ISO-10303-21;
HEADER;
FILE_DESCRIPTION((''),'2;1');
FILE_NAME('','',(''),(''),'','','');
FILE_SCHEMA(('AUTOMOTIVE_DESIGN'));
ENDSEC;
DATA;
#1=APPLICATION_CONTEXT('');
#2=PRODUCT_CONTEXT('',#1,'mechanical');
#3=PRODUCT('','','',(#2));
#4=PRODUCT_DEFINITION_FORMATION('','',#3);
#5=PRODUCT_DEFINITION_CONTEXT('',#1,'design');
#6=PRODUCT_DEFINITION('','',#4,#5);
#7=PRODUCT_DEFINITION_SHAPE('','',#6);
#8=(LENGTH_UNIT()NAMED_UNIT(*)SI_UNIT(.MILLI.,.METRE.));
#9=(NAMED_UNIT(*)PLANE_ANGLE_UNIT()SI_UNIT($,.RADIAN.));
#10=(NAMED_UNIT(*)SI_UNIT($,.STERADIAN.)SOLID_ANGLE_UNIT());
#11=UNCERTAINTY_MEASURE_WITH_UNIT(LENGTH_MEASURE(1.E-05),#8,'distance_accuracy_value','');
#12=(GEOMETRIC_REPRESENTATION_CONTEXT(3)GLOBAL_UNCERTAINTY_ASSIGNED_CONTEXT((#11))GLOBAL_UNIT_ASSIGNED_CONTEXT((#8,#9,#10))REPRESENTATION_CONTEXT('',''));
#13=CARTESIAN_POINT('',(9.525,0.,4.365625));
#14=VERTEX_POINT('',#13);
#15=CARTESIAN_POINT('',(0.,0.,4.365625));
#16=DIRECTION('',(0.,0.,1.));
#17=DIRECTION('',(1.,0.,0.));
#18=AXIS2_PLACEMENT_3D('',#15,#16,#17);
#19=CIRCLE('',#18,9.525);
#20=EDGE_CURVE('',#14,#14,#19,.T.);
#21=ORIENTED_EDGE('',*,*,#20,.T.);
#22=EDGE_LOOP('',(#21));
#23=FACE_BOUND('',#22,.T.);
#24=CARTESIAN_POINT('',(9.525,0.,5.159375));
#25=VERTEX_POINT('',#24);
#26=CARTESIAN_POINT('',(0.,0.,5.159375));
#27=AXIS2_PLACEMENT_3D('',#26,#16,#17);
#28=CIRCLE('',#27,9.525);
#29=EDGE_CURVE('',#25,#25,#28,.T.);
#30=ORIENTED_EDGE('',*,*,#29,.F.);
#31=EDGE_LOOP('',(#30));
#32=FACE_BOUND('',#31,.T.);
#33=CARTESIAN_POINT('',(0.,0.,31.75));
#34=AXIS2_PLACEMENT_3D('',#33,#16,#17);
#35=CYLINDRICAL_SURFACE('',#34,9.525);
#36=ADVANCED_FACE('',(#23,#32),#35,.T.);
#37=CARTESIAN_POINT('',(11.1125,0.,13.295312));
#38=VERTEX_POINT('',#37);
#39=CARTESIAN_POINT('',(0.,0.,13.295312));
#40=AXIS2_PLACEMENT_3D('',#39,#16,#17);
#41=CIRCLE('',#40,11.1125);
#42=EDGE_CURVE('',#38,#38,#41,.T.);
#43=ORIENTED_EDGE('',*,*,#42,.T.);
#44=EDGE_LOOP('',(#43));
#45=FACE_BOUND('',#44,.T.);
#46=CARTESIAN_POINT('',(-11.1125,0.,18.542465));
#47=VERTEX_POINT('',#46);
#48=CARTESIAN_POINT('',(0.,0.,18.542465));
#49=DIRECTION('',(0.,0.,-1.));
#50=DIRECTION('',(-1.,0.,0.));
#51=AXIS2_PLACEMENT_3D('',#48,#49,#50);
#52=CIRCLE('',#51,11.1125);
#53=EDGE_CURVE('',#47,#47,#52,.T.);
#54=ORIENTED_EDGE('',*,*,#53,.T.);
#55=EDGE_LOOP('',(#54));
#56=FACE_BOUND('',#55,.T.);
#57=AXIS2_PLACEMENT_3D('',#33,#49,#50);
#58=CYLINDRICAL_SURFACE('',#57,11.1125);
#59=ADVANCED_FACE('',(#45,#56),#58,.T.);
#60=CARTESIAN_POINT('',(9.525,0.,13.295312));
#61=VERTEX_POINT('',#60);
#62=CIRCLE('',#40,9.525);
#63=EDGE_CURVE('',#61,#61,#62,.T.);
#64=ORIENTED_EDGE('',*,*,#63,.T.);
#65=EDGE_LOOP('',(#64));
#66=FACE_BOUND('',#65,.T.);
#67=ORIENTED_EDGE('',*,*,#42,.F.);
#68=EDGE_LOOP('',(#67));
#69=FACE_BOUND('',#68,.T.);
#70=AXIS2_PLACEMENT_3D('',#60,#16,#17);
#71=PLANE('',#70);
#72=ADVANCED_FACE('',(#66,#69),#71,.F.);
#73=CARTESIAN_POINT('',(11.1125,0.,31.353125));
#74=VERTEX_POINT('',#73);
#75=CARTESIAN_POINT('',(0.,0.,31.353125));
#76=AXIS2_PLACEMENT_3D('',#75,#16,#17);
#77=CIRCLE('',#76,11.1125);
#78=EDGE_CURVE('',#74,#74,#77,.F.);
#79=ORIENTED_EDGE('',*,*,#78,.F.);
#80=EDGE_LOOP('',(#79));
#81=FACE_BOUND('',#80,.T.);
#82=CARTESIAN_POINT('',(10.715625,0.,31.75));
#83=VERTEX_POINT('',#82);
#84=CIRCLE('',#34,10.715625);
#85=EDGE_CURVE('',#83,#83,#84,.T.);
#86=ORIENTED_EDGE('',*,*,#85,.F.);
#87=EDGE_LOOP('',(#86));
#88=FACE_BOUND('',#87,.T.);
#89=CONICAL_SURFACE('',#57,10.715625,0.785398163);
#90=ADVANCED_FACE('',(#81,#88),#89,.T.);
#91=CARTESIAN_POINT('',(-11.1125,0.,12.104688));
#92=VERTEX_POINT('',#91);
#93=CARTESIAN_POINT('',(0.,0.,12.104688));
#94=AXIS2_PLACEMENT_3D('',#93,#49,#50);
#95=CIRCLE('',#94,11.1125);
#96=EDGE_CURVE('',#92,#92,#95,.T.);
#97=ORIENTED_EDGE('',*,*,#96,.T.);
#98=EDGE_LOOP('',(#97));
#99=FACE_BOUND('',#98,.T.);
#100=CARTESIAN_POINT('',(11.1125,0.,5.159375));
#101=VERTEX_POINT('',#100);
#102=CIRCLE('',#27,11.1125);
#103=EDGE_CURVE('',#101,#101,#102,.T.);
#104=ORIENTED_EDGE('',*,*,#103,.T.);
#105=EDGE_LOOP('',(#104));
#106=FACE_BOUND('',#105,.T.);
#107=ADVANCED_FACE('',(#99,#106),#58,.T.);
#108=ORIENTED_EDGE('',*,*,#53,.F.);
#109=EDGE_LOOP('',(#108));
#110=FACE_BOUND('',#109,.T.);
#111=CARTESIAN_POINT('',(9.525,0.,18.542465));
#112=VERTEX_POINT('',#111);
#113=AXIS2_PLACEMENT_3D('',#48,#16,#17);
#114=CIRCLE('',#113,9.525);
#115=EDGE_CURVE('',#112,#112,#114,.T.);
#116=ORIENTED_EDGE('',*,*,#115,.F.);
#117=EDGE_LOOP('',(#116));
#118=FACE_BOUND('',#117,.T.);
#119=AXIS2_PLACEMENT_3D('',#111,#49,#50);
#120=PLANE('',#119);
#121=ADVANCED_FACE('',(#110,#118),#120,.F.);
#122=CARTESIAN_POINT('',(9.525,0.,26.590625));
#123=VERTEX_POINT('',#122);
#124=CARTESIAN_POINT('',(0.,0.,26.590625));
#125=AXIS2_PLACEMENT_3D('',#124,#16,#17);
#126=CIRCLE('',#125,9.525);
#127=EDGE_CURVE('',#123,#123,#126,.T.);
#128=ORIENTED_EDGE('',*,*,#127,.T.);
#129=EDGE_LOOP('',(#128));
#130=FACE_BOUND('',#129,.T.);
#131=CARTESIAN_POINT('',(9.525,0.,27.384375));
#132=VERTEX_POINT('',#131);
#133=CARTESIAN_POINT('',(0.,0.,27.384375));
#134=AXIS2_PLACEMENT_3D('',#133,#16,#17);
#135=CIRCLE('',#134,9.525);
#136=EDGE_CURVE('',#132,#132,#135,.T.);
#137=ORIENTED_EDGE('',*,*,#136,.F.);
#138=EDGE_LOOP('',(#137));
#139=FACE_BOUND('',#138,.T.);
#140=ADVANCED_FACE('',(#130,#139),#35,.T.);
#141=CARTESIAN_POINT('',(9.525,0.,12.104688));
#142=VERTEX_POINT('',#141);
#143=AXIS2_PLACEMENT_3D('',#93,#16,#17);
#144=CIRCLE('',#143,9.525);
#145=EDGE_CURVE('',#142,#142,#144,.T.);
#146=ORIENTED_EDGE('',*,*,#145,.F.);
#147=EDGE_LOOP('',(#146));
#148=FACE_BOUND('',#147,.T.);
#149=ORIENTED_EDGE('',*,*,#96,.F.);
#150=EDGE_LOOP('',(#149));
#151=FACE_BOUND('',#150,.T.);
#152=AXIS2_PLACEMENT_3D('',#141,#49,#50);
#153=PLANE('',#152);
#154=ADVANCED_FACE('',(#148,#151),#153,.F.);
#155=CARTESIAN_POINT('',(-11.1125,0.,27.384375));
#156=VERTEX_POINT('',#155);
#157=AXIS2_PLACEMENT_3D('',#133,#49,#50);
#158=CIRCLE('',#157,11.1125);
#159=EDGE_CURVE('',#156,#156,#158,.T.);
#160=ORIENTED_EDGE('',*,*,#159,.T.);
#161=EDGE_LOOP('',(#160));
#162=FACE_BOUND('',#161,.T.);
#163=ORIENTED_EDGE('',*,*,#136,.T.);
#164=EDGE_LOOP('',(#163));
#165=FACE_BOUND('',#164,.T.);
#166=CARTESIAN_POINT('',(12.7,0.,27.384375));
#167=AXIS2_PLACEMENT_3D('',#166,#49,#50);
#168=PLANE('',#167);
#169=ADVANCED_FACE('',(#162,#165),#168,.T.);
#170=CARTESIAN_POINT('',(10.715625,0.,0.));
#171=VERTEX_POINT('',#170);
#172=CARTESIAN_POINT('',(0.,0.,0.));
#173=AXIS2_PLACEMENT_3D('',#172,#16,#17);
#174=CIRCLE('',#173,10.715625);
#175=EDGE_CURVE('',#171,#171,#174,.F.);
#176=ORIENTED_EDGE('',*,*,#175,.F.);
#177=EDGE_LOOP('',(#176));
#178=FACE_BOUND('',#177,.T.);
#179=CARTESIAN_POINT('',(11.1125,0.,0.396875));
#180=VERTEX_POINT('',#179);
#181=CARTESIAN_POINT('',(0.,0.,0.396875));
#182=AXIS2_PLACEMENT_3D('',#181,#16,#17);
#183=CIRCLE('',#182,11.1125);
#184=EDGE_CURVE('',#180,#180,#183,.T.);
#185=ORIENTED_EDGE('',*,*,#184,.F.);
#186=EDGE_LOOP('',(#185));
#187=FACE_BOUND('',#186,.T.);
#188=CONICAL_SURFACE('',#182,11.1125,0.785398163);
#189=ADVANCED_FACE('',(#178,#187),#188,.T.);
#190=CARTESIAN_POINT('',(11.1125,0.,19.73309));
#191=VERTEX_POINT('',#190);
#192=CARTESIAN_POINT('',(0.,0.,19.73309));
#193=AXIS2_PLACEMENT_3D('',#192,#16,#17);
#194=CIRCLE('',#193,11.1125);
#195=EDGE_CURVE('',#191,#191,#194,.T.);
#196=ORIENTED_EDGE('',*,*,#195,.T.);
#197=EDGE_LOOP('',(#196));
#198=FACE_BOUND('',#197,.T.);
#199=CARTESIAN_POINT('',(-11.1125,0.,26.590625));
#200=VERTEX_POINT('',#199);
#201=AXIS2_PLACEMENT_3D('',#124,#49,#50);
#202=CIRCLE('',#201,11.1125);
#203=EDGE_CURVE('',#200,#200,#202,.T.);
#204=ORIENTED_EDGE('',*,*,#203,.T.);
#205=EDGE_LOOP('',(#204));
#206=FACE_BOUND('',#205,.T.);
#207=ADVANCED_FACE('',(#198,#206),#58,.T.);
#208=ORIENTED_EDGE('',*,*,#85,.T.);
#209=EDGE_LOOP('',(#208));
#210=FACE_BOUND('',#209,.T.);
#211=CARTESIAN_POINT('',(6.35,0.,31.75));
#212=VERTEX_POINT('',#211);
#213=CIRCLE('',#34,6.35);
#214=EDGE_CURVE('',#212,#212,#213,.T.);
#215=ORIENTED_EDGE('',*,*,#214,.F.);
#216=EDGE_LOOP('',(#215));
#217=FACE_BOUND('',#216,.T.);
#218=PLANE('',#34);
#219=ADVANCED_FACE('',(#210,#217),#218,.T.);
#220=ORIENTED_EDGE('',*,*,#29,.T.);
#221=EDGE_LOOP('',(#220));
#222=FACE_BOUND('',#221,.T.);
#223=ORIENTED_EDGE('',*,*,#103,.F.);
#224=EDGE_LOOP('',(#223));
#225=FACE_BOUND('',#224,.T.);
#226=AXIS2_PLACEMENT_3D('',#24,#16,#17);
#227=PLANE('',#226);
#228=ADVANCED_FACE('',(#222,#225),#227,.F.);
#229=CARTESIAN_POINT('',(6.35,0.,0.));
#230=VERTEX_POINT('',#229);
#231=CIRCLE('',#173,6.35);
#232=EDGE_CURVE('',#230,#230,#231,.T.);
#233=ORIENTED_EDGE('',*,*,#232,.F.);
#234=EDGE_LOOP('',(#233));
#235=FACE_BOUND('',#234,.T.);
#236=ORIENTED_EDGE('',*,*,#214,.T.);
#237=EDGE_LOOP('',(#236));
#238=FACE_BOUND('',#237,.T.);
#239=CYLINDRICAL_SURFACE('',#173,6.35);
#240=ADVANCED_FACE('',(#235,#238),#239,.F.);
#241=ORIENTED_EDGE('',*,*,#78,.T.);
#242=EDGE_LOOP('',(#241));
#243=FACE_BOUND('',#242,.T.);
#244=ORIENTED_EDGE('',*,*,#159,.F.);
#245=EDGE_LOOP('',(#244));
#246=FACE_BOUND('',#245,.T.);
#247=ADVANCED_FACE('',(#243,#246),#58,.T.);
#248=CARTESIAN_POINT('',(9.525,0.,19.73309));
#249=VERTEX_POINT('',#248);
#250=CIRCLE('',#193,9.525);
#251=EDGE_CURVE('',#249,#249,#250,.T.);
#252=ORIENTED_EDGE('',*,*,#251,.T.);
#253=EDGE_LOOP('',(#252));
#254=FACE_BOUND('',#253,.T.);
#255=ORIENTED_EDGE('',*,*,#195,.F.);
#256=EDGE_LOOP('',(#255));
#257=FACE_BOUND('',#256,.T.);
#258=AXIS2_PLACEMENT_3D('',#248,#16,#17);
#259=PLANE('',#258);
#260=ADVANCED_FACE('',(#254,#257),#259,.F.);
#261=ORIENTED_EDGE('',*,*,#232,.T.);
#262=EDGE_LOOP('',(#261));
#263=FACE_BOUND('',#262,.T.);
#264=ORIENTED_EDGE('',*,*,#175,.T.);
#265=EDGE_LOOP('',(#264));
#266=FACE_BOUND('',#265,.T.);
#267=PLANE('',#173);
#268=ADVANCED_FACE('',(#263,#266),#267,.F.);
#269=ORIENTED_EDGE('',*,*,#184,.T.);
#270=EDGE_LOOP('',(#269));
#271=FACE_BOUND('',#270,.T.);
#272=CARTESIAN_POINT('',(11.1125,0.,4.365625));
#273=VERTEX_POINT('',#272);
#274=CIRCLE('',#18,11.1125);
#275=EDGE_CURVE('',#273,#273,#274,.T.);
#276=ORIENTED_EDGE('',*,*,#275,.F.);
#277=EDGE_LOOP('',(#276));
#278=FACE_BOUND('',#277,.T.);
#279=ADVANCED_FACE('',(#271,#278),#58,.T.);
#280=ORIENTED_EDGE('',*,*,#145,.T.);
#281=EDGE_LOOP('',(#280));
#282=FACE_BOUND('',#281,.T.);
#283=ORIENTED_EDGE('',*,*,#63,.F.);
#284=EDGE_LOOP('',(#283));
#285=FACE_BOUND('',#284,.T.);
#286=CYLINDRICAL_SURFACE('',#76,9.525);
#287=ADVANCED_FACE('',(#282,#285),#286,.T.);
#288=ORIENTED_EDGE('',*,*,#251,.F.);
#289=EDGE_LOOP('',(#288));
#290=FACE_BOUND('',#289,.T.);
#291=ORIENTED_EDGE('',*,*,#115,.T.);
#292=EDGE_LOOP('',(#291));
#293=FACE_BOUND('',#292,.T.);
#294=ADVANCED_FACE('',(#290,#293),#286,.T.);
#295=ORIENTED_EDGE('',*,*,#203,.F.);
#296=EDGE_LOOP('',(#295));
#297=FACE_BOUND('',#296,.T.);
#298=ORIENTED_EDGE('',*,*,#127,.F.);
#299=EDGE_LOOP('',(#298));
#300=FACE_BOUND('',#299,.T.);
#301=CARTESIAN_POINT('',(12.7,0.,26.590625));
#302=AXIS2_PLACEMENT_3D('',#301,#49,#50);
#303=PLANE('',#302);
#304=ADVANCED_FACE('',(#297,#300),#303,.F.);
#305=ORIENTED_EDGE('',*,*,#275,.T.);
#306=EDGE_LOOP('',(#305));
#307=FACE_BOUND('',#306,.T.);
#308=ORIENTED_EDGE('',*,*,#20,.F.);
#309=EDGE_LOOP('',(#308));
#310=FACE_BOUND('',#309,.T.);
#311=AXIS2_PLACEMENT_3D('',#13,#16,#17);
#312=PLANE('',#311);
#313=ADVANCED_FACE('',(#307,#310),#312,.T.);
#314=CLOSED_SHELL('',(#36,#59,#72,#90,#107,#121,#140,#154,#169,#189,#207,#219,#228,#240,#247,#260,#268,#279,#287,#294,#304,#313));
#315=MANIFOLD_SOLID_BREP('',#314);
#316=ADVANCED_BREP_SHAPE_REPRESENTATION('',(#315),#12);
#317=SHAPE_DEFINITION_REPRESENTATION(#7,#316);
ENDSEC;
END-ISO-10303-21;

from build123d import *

# Parameters (mm, degrees)
SKETCH2_R           = 11.1125
BOSS_EXTRUDE1_DEPTH = 31.75
SKETCH3_R           = 6.35
CUT_EXTRUDE1_DEPTH  = 32.75
SKETCH4_W           = 3.175
SKETCH4_H           = 0.79375
CHAMFER1_SIZE       = 0.396875
SKETCH5_W           = 3.175
SKETCH5_H           = 1.190625


with BuildPart() as part:
    # Sketch2 → Boss-Extrude1 (new body)
    with BuildSketch(Plane.XY):
        Circle(SKETCH2_R)
    extrude(amount=BOSS_EXTRUDE1_DEPTH)

    # Sketch3 → Cut-Extrude1 (cut, through all)
    with BuildSketch(Plane.XY.offset(31.75)):
        Circle(SKETCH3_R)
    extrude(amount=-CUT_EXTRUDE1_DEPTH, mode=Mode.SUBTRACT)

    # Sketch4 → Cut-Revolve1 (revolve, cut)
    with BuildSketch(Plane(origin=(0, 0, 0), x_dir=(1, 0, 0), z_dir=(0, 1, 0))):
        with Locations((11.1125, -26.9875)):
            Rectangle(SKETCH4_W, SKETCH4_H)
        with Locations((11.1125, -4.7625)):
            Rectangle(SKETCH4_W, SKETCH4_H)
    revolve(axis=Axis((0, 0, 31.75), (0, 0, -1)), mode=Mode.SUBTRACT)

    # Chamfer1
    chamfer1_edges = [part.edges().sort_by_distance(p)[0] for p in [
        (-11.1125, 0, 0),
        (-11.1125, 0, 31.75),
    ]]
    chamfer(chamfer1_edges, length=CHAMFER1_SIZE)

    # Sketch5 → Cut-Revolve2 (revolve, cut)
    with BuildSketch(Plane(origin=(0, 0, 0), x_dir=(1, 0, 0), z_dir=(0, 1, 0))):
        with Locations((11.1125, -12.7)):
            Rectangle(SKETCH5_W, SKETCH5_H)
        with Locations((11.1125, -19.137777624)):
            Rectangle(SKETCH5_W, SKETCH5_H)
    revolve(axis=Axis((0, 0, 31.75), (0, 0, -1)), mode=Mode.SUBTRACT)


solid = part.part
